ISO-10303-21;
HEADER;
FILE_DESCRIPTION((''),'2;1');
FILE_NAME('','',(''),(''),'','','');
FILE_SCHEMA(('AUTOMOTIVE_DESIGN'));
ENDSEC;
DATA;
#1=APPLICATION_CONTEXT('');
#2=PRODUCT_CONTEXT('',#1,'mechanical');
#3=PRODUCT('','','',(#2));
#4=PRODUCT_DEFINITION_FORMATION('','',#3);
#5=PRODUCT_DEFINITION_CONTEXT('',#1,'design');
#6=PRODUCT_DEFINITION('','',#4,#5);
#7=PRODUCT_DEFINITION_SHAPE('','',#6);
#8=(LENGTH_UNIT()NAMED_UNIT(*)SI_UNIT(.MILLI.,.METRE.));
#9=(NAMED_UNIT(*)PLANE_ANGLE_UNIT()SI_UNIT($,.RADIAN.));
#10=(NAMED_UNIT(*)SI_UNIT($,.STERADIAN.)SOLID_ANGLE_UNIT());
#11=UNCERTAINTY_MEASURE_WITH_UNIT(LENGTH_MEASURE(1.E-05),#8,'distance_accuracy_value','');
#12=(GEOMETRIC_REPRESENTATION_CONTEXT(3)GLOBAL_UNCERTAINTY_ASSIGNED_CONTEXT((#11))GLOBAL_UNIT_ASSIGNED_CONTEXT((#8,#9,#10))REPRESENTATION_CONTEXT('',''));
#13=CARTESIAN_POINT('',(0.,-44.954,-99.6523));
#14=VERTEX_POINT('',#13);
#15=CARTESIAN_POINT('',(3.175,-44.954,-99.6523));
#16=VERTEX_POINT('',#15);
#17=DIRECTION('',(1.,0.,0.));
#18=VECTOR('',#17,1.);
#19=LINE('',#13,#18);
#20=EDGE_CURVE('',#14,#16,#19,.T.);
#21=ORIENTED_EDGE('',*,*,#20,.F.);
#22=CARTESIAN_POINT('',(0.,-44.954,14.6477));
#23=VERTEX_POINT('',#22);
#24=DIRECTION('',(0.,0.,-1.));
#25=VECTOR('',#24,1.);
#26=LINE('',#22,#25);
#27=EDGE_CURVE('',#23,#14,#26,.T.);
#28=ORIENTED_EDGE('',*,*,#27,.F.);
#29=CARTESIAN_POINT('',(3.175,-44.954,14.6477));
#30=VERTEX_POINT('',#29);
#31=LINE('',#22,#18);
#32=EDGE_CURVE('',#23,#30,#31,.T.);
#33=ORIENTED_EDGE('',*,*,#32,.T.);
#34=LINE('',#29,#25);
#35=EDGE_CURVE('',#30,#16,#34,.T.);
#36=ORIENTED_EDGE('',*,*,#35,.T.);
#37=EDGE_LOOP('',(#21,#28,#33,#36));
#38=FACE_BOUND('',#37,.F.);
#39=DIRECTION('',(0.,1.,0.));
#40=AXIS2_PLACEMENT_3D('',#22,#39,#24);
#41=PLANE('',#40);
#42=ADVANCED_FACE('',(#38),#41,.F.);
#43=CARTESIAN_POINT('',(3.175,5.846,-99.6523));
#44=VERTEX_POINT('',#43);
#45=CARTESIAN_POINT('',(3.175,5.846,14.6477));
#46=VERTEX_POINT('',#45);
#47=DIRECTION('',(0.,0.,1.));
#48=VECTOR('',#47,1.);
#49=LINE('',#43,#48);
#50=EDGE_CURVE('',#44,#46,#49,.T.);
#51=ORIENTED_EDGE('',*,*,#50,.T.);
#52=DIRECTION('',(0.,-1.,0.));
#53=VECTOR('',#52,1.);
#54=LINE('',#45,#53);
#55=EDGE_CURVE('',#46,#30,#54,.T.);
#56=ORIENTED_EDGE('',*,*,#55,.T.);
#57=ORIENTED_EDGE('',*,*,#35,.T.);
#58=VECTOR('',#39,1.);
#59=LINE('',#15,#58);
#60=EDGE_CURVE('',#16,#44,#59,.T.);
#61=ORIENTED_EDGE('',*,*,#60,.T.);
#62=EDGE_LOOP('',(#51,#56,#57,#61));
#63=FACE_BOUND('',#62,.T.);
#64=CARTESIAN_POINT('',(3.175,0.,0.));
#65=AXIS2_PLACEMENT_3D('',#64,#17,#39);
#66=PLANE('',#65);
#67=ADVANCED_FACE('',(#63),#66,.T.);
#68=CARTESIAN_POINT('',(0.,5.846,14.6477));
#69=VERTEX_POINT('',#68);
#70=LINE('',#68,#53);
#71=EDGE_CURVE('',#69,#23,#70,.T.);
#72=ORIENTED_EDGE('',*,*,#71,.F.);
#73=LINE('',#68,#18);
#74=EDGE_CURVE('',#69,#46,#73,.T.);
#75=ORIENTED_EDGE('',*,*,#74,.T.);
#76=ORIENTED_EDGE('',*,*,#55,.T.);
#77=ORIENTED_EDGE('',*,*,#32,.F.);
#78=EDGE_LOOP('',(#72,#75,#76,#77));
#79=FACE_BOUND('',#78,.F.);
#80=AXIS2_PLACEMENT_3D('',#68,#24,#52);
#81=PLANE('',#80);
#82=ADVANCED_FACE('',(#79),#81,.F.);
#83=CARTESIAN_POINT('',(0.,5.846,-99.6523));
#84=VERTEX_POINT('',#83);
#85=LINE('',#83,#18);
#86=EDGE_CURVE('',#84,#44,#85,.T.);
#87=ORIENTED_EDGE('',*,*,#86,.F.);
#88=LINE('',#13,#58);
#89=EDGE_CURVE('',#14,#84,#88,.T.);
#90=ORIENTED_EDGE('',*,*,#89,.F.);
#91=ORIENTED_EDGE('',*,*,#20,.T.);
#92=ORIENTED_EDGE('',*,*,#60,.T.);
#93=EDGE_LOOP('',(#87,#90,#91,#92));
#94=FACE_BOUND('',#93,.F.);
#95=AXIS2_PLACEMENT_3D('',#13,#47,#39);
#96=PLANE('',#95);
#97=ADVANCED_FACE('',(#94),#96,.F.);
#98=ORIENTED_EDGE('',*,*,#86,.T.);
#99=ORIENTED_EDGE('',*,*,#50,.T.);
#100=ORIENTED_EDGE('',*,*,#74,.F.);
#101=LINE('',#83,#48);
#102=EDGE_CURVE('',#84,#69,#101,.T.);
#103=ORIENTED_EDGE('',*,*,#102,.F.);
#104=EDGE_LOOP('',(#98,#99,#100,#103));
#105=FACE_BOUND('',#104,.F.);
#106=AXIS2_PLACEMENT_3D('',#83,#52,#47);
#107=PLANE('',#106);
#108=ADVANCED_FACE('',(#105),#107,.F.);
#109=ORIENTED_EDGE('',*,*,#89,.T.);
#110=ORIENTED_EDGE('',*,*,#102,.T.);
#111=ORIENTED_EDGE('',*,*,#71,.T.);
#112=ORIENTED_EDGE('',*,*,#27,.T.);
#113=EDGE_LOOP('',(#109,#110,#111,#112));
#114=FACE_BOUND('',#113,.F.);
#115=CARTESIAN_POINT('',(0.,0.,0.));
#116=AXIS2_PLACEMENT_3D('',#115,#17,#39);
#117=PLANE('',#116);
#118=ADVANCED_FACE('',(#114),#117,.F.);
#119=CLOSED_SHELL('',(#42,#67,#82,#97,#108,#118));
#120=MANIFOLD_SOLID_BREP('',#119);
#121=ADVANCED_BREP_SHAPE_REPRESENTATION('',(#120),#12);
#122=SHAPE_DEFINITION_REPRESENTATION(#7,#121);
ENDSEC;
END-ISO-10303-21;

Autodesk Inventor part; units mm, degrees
ref_plane "YZ Plane" through (0, 0, 0) normal (1, 0, 0) x (0, 1, 0)
ref_plane "XZ Plane" through (0, 0, 0) normal (0, 1, 0) x (-1, 0, 0)
ref_plane "XY Plane" through (0, 0, 0) normal (0, 0, 1) x (1, 0, 0)
sketch "Sketch1" plane through (0, 0, 0) normal (1, 0, 0) x (0, 1, 0)
  line L0 (5.846, 14.6477) -> (-44.954, 14.6477)
  line L1 (-44.954, 14.6477) -> (-44.954, -99.6523)
  line L2 (-44.954, -99.6523) -> (5.846, -99.6523)
  line L3 (5.846, -99.6523) -> (5.846, 14.6477)
  point P0 (0, 0)
  dimension "d0" = 50.8
  dimension "d1" = 114.3
extrude "Extrusion1" add sketch "Sketch1" along normal blind 3.175
sketch "Sketch2" plane through (3.175, 0, 0) normal (1, 0, 0) x (0, 0, -1)
  line L0 (-14.6477, 5.846) -> (-14.6477, -44.954) projected
  line L1 (-14.6477, 5.846) -> (23.4523, 5.846)
  line L2 (99.6523, 5.846) -> (-14.6477, 5.846) projected
  line L3 (23.4523, 5.846) -> (23.4523, -44.954)
  line L4 (-14.6477, -44.954) -> (99.6523, -44.954) projected
  line L5 (99.6523, 5.846) -> (61.5523, 5.846)
  line L6 (61.5523, 5.846) -> (61.5523, -44.954)
  line L7 (61.5523, 5.846) -> (61.5523, -44.954)
  point P0 (0, 0)
  dimension "d4" = 38.1
  dimension "d5" = 38.1
properties part number "bottom near wheel 4.5x2"
